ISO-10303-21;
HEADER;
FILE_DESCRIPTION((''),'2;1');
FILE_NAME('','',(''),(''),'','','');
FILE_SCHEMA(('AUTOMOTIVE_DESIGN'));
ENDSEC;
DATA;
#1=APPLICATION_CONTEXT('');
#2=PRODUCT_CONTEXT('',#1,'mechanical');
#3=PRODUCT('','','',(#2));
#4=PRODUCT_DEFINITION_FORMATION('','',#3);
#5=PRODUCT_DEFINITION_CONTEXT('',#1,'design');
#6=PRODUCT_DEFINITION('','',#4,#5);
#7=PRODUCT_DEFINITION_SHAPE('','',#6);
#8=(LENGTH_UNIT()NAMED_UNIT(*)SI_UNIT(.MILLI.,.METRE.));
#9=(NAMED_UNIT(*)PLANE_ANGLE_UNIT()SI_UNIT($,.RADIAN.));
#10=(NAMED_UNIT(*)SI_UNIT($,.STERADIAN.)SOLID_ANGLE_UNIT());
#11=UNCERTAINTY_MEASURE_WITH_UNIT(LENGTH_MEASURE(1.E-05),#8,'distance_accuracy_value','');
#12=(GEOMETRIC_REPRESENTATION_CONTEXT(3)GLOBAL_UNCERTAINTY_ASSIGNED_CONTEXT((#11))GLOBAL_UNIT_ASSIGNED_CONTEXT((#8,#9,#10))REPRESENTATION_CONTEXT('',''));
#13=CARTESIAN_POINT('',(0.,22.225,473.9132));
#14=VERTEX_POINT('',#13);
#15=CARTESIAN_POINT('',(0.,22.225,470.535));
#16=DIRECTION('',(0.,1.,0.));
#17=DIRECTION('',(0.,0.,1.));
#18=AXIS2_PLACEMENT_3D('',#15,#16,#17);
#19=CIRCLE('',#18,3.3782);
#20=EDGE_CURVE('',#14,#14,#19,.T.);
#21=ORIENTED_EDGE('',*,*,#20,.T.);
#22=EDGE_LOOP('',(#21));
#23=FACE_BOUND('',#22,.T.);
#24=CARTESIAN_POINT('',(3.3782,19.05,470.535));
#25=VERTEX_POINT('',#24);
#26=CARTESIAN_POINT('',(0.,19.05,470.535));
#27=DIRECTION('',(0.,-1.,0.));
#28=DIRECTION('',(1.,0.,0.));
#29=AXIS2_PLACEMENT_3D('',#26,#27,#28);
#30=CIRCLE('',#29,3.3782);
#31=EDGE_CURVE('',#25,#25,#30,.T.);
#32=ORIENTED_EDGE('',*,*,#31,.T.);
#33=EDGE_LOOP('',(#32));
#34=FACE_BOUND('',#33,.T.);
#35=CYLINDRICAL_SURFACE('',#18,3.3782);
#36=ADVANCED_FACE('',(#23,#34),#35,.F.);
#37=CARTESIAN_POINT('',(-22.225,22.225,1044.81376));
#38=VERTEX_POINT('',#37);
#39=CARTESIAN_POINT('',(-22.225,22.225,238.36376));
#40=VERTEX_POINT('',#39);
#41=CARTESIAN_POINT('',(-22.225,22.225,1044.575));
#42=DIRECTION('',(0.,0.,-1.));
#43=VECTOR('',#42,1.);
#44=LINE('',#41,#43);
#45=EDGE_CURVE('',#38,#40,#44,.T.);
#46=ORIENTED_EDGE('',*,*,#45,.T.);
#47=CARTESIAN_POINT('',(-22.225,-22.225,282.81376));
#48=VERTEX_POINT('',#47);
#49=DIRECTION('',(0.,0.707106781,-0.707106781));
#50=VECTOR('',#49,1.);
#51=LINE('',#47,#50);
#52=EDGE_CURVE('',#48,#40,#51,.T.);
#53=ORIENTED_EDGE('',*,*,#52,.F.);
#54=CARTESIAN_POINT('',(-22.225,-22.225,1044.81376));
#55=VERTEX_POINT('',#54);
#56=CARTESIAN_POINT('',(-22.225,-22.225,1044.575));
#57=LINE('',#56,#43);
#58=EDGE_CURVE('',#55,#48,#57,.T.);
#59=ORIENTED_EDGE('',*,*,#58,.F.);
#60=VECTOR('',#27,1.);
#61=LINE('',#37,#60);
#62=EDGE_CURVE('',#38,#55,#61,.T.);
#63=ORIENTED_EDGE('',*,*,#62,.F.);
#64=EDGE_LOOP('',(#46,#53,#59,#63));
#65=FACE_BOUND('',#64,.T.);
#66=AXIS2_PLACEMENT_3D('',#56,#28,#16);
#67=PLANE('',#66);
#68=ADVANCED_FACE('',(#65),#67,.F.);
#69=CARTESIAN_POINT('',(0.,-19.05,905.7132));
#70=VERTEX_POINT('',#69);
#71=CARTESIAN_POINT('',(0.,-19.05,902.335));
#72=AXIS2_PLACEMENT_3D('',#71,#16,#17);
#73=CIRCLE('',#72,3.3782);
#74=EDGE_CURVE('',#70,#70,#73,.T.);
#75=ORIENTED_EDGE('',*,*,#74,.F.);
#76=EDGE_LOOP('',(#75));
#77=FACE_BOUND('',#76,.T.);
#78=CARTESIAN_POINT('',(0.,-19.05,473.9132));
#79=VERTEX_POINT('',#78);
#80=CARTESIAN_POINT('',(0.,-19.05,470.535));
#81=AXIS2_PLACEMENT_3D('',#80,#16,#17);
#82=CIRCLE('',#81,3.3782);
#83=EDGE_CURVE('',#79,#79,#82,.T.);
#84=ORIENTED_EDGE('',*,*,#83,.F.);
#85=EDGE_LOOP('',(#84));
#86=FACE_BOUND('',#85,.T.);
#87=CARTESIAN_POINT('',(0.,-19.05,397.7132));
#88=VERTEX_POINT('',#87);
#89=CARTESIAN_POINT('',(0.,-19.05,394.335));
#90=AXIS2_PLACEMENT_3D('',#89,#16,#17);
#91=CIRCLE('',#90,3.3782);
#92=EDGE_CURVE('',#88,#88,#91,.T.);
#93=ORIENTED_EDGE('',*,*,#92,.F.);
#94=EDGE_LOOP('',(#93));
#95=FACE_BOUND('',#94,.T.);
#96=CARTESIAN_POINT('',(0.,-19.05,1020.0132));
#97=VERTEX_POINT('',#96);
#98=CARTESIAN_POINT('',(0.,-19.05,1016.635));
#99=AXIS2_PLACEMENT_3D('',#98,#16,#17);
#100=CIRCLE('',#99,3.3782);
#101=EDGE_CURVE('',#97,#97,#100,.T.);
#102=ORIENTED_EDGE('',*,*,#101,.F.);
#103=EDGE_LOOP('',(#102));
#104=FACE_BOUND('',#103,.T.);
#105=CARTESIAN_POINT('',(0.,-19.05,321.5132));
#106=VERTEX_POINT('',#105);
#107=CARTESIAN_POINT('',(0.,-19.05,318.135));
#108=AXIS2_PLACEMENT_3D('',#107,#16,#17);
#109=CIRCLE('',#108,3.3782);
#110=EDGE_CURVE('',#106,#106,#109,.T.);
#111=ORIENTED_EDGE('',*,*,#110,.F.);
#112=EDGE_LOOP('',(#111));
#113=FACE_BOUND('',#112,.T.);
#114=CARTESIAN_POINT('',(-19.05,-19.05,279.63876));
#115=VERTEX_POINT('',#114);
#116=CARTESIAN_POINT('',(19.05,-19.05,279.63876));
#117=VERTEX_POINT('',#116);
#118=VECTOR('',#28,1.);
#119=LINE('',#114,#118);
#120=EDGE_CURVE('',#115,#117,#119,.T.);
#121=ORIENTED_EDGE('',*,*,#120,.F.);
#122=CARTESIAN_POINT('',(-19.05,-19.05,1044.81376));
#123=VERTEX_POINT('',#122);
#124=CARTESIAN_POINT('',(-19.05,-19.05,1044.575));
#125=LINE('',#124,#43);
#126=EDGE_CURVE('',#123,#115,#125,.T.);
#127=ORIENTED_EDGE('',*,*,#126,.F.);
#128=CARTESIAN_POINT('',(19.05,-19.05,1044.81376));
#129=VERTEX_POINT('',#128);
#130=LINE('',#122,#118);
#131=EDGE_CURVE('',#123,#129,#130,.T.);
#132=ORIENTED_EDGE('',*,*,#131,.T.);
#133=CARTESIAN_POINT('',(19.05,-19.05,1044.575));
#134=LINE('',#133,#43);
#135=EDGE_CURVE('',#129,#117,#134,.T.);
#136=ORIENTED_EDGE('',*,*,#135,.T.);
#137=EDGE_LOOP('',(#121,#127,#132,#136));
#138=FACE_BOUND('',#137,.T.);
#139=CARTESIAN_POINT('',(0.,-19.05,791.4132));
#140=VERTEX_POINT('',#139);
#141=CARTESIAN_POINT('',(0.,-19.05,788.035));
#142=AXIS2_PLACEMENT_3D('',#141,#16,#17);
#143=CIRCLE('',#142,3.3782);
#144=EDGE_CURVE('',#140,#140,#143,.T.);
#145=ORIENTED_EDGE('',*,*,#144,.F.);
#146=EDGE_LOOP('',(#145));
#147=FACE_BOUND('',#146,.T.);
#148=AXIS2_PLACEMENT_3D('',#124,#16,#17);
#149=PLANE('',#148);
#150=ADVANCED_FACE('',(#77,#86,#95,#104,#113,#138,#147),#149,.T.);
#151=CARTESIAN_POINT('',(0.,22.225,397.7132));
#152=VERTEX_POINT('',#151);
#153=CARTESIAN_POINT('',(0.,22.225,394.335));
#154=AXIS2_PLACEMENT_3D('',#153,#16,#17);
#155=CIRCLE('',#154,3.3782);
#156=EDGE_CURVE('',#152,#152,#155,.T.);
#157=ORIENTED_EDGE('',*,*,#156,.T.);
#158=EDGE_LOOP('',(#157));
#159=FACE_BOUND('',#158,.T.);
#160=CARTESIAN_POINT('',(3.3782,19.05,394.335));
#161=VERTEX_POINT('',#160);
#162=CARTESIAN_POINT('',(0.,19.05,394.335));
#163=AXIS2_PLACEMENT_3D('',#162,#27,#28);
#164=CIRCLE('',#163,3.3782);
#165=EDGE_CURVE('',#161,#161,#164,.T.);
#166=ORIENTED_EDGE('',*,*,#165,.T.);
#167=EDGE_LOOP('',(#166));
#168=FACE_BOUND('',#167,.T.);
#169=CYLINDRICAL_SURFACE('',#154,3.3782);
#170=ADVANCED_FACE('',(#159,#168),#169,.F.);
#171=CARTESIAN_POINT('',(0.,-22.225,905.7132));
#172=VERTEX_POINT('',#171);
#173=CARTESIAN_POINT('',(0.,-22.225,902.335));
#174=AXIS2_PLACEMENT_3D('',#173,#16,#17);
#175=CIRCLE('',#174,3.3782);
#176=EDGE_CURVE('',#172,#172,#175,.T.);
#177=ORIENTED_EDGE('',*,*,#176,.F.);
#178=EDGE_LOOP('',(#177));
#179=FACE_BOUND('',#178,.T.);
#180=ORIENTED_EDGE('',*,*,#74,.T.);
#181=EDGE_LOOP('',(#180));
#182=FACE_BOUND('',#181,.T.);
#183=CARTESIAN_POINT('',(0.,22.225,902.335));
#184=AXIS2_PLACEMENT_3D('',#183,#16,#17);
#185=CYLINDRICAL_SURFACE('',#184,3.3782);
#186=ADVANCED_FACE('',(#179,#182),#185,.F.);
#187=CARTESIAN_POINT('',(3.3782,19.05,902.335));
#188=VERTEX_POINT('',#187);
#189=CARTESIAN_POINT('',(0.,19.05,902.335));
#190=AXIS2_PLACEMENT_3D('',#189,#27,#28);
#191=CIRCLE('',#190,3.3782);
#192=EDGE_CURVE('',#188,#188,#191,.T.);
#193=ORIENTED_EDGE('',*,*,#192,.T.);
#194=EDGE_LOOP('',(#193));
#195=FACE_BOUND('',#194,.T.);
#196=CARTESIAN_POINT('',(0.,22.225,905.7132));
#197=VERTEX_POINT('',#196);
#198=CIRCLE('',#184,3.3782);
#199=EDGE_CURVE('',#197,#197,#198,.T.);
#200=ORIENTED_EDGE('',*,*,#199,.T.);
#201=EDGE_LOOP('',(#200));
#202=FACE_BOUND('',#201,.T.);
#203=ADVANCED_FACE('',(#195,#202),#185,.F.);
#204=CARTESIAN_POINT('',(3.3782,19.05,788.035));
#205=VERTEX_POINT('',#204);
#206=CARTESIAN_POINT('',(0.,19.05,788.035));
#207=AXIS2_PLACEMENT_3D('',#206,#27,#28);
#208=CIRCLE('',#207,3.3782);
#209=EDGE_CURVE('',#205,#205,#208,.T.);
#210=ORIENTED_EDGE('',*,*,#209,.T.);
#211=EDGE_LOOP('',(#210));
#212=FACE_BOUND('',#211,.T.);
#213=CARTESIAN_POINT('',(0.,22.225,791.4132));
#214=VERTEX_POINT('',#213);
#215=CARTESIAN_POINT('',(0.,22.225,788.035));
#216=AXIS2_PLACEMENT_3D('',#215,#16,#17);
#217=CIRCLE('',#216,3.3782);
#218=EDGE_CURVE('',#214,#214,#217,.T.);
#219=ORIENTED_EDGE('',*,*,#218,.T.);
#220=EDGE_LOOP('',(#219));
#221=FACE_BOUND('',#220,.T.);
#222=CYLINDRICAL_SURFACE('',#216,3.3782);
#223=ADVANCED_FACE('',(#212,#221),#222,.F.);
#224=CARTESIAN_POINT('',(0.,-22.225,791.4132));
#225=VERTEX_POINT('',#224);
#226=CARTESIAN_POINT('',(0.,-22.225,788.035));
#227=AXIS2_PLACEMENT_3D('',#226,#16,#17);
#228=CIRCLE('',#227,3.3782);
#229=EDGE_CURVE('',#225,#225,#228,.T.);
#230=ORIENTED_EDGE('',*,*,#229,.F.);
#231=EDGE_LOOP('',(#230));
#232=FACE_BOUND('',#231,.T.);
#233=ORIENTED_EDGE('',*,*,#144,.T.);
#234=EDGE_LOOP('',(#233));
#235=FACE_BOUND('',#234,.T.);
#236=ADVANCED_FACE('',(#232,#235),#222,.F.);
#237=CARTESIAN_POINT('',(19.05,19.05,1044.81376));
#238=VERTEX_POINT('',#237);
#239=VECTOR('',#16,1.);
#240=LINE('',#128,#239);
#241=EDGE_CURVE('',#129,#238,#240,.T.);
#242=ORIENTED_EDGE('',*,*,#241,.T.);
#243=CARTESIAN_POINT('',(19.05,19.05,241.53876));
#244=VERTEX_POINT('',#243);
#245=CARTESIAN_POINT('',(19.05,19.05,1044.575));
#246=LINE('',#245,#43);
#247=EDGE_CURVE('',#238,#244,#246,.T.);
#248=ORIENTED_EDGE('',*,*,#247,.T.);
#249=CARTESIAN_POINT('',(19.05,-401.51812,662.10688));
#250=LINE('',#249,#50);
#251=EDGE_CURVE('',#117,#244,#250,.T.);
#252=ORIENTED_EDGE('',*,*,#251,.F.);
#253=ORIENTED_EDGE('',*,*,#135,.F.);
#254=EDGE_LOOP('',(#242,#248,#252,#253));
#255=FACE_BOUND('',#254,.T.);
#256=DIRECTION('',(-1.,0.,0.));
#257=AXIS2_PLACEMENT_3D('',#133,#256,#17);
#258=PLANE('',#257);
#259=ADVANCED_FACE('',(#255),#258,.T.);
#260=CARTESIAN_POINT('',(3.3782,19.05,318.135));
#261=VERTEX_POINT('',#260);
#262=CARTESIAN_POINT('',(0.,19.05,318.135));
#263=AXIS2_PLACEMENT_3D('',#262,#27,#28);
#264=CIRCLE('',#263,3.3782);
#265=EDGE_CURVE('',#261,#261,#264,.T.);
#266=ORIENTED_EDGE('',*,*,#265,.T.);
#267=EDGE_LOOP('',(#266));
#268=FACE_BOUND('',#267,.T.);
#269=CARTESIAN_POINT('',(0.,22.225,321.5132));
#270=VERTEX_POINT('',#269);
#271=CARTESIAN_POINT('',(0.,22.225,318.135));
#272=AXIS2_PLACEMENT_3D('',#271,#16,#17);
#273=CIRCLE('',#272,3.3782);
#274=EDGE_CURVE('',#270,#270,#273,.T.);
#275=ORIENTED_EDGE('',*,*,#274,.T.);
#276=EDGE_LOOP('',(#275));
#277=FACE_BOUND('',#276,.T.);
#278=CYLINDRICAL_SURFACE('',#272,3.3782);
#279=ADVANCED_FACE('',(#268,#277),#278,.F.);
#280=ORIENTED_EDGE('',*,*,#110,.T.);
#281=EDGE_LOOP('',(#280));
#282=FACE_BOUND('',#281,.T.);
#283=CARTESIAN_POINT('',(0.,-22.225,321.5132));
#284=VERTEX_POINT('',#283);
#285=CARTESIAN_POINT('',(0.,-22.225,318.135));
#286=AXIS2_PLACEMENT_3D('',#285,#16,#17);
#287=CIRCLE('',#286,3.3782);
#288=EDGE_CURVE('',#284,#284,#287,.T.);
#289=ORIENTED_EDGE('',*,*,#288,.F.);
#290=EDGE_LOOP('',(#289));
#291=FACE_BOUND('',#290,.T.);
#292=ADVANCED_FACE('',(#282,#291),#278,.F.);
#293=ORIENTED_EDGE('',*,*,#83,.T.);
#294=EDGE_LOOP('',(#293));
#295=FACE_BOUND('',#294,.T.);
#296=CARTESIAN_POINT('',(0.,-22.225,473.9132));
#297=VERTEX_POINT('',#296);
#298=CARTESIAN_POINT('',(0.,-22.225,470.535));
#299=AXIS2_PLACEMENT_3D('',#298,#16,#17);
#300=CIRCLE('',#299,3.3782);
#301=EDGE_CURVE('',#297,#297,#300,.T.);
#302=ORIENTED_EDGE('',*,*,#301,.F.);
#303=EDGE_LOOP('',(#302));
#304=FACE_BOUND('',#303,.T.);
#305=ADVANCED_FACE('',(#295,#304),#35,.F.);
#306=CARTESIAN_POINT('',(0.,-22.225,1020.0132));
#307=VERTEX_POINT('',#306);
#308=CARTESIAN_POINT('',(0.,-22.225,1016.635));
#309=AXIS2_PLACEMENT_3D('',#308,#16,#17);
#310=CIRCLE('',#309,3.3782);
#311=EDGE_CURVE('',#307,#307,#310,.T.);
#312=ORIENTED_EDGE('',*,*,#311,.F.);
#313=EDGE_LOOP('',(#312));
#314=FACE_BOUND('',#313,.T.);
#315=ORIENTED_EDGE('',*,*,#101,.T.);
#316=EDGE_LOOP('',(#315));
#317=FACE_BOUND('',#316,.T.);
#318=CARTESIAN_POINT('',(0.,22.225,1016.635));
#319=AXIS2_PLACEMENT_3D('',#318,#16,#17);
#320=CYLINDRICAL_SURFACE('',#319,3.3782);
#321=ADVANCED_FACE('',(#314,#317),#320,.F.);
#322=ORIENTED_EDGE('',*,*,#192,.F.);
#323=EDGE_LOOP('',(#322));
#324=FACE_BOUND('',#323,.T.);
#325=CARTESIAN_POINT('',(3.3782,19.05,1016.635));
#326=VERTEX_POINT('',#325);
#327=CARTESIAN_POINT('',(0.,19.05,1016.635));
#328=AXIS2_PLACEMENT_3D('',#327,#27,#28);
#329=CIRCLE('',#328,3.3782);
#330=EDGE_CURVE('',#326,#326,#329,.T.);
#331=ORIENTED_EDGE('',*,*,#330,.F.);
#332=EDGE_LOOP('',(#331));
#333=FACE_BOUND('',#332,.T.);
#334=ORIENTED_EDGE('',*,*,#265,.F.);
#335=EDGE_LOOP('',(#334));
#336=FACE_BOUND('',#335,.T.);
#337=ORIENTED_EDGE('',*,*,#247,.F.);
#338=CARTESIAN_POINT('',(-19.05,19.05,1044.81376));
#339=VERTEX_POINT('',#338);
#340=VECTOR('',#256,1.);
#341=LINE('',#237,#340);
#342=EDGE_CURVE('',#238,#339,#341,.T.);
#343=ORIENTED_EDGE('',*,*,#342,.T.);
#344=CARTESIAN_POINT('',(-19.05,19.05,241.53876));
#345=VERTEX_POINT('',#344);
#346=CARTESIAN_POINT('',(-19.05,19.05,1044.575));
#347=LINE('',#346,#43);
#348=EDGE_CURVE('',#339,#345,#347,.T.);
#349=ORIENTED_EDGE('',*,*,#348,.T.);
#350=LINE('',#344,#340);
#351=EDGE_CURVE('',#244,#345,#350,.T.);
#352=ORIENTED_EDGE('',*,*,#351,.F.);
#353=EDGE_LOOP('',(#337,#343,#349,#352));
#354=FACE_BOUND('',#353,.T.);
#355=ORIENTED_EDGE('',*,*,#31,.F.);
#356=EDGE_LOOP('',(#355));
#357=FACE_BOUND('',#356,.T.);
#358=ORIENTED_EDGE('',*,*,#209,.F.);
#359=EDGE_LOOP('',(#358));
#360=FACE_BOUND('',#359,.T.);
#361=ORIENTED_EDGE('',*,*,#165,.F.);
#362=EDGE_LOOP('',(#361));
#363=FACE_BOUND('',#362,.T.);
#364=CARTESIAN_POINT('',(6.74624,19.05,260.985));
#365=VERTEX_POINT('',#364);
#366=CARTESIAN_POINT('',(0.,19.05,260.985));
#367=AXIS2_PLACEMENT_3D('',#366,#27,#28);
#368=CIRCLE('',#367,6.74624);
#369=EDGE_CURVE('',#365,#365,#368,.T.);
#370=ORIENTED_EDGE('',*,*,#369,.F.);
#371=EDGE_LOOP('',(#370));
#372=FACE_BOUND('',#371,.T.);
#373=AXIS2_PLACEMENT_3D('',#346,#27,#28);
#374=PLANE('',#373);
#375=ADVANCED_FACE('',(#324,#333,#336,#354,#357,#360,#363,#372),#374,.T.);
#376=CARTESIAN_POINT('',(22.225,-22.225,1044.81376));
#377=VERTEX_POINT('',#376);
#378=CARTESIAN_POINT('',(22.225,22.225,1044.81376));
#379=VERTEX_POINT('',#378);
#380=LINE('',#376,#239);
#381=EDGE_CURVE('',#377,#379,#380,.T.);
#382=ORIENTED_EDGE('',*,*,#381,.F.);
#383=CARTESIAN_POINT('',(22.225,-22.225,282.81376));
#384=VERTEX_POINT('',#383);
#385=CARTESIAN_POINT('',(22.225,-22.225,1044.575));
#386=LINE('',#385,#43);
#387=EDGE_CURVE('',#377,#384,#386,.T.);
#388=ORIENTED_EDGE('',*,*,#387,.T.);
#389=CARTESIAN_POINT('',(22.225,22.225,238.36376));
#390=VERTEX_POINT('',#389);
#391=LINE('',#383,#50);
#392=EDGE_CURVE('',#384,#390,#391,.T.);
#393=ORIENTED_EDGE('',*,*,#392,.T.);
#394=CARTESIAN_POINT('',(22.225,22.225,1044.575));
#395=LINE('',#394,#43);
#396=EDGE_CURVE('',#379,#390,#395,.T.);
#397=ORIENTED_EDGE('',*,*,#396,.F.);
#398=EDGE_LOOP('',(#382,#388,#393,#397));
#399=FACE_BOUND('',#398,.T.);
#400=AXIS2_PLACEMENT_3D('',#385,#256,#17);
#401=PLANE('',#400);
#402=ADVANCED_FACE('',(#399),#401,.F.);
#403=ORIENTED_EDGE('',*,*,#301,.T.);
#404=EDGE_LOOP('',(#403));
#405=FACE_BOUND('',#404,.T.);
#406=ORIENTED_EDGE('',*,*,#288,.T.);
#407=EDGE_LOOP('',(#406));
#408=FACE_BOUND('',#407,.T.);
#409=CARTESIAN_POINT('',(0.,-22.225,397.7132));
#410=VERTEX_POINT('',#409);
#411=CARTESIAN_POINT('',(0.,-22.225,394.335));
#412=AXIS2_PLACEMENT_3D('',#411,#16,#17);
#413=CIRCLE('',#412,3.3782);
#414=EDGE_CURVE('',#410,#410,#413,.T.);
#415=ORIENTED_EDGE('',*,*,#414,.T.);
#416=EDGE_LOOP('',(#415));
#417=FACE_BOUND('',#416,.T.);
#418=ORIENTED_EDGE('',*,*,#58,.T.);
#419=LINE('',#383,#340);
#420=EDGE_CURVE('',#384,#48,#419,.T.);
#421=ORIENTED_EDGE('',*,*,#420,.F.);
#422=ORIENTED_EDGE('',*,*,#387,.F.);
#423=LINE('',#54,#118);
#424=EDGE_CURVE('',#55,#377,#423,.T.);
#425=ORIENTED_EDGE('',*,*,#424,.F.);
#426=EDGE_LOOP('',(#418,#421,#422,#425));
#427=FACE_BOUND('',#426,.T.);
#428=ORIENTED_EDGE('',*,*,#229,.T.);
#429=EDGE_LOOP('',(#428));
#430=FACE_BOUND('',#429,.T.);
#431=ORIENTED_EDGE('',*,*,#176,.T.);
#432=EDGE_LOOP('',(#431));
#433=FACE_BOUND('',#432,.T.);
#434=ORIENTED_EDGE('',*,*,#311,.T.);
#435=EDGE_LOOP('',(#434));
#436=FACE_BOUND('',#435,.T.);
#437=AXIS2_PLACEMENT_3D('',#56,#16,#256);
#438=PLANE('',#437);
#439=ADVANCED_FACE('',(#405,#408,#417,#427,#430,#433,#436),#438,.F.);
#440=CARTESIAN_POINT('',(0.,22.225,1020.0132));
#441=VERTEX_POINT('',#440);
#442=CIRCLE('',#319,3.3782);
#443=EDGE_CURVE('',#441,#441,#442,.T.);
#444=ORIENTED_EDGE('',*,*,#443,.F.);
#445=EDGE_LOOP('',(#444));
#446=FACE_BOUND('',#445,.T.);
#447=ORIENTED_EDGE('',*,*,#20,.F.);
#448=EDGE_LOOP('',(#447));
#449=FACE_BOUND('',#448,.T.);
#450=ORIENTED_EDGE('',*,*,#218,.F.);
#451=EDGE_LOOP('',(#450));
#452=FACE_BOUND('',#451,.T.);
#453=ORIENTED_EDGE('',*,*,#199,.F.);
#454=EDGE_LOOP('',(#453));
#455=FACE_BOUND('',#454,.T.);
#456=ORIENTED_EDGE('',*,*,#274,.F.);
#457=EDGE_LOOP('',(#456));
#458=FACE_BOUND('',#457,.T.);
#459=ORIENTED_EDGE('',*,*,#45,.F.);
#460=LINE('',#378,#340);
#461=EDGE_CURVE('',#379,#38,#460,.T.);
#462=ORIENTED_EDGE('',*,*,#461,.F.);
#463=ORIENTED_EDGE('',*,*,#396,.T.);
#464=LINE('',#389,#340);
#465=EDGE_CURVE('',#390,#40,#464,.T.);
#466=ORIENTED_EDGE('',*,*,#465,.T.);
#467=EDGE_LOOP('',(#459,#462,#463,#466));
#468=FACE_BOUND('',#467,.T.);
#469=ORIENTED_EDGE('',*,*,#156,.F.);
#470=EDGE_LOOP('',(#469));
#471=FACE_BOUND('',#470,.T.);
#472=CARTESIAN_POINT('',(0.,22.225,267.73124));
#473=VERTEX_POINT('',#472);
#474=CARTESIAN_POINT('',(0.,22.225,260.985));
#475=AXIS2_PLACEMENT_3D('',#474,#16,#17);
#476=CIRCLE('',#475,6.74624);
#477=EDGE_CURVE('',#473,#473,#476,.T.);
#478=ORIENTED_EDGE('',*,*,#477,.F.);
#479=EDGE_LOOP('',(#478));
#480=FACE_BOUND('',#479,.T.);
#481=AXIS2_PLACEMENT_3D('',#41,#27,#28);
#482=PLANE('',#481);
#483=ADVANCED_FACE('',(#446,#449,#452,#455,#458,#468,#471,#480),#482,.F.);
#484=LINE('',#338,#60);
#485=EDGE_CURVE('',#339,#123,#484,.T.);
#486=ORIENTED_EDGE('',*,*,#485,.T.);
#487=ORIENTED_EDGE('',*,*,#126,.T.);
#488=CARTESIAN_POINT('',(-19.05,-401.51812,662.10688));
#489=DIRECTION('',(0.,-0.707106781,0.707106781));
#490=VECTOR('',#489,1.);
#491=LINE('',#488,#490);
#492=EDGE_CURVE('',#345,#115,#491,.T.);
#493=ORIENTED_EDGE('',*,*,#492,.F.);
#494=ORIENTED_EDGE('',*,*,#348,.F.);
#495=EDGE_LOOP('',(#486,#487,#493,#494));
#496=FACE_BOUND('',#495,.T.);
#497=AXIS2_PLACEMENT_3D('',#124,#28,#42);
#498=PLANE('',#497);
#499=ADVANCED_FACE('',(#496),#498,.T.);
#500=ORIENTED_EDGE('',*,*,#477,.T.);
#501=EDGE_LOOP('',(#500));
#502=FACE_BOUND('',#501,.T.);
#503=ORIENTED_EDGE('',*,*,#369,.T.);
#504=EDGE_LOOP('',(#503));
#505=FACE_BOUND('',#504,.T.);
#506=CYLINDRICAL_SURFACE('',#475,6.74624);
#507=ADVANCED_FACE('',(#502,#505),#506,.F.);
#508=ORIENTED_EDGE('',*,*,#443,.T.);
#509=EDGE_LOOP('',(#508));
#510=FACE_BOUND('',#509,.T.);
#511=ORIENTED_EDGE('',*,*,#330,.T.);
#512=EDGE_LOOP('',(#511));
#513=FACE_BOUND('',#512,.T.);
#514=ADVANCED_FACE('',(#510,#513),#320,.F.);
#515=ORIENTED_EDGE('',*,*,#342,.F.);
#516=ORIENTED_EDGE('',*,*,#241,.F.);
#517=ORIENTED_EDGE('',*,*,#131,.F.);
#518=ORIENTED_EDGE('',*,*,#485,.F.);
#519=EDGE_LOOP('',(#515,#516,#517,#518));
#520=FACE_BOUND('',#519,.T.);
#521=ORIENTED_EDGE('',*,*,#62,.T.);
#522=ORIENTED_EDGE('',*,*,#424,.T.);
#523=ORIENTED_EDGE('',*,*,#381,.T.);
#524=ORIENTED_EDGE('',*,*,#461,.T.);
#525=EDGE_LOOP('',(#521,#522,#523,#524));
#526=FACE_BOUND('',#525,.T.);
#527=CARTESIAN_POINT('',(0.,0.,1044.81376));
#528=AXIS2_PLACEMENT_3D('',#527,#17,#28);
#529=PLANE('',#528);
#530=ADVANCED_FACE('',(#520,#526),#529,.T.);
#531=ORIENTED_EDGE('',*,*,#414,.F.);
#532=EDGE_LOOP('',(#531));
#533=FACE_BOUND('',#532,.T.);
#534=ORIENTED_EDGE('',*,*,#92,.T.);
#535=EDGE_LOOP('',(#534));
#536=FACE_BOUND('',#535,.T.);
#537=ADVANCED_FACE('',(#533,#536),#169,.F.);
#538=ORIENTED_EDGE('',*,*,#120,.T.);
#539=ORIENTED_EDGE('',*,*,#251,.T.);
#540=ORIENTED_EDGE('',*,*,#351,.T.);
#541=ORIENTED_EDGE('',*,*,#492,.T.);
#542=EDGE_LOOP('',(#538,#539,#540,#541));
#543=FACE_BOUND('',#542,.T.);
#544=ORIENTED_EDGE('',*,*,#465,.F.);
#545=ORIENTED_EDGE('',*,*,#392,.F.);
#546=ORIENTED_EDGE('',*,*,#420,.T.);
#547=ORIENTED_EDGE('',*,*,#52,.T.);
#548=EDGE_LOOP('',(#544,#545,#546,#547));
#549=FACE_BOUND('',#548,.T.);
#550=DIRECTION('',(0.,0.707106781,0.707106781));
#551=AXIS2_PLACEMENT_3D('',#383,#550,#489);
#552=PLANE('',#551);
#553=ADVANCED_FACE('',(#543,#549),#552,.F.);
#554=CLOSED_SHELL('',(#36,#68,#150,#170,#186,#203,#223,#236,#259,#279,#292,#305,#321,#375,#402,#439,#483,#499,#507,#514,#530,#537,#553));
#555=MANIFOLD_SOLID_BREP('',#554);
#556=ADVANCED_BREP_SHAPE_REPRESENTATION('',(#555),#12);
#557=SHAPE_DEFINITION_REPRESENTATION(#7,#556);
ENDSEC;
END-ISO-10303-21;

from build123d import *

# Parameters (mm, degrees)
SKETCH1_W               = 44.45
SKETCH1_H               = 44.45
SKETCH1_W_2             = 38.1
SKETCH1_H_2             = 38.1
BOSS_EXTRUDE1_DEPTH     = 1044.575
F_1_4_CLEARANCE_HOLE3_D = 6.7564
F_1_2_CLEARANCE_HOLE1_D = 13.49248
CUT_EXTRUDE1_DEPTH      = 1046.75651265
SKETCH18_W              = 44.45
SKETCH18_H              = 44.45
SKETCH18_W_2            = 38.1
SKETCH18_H_2            = 38.1
BOSS_EXTRUDE2_DEPTH     = 0.23876


with BuildPart() as part:
    # Sketch1 → Boss-Extrude1 (new body)
    with BuildSketch(Plane.XY):
        Rectangle(SKETCH1_W, SKETCH1_H)
        Rectangle(SKETCH1_W_2, SKETCH1_H_2, mode=Mode.SUBTRACT)
    extrude(amount=BOSS_EXTRUDE1_DEPTH)

    # 1/4 Clearance Hole3 (through all)
    with Locations(Plane(origin=(0, 22.225, 0), x_dir=(1, 0, 0), z_dir=(0, 1, 0))):
        with Locations((0, -318.135), (0, -394.335), (0, -470.535), (0, -788.035), (0, -902.335), (0, -1016.635)):
            Hole(F_1_4_CLEARANCE_HOLE3_D / 2)

    # 1/2 Clearance Hole1 (through all)
    with Locations(Plane(origin=(0, 22.225, 0), x_dir=(1, 0, 0), z_dir=(0, 1, 0))):
        with Locations((0, -260.985)):
            Hole(F_1_2_CLEARANCE_HOLE1_D / 2)

    # Sketch17 → Cut-Extrude1 (cut, through all)
    with BuildSketch(Plane.ZY.offset(22.225)):
        Polygon((282.81376, -22.225), (238.36376, 22.225), (0, 22.225), (0, -22.225), align=None)
    extrude(amount=-CUT_EXTRUDE1_DEPTH, mode=Mode.SUBTRACT)

    # Sketch18 → Boss-Extrude2 (add)
    with BuildSketch(Plane.XY.offset(1044.575)):
        Rectangle(SKETCH18_W, SKETCH18_H)
        Rectangle(SKETCH18_W_2, SKETCH18_H_2, mode=Mode.SUBTRACT)
    extrude(amount=BOSS_EXTRUDE2_DEPTH)


solid = part.part
